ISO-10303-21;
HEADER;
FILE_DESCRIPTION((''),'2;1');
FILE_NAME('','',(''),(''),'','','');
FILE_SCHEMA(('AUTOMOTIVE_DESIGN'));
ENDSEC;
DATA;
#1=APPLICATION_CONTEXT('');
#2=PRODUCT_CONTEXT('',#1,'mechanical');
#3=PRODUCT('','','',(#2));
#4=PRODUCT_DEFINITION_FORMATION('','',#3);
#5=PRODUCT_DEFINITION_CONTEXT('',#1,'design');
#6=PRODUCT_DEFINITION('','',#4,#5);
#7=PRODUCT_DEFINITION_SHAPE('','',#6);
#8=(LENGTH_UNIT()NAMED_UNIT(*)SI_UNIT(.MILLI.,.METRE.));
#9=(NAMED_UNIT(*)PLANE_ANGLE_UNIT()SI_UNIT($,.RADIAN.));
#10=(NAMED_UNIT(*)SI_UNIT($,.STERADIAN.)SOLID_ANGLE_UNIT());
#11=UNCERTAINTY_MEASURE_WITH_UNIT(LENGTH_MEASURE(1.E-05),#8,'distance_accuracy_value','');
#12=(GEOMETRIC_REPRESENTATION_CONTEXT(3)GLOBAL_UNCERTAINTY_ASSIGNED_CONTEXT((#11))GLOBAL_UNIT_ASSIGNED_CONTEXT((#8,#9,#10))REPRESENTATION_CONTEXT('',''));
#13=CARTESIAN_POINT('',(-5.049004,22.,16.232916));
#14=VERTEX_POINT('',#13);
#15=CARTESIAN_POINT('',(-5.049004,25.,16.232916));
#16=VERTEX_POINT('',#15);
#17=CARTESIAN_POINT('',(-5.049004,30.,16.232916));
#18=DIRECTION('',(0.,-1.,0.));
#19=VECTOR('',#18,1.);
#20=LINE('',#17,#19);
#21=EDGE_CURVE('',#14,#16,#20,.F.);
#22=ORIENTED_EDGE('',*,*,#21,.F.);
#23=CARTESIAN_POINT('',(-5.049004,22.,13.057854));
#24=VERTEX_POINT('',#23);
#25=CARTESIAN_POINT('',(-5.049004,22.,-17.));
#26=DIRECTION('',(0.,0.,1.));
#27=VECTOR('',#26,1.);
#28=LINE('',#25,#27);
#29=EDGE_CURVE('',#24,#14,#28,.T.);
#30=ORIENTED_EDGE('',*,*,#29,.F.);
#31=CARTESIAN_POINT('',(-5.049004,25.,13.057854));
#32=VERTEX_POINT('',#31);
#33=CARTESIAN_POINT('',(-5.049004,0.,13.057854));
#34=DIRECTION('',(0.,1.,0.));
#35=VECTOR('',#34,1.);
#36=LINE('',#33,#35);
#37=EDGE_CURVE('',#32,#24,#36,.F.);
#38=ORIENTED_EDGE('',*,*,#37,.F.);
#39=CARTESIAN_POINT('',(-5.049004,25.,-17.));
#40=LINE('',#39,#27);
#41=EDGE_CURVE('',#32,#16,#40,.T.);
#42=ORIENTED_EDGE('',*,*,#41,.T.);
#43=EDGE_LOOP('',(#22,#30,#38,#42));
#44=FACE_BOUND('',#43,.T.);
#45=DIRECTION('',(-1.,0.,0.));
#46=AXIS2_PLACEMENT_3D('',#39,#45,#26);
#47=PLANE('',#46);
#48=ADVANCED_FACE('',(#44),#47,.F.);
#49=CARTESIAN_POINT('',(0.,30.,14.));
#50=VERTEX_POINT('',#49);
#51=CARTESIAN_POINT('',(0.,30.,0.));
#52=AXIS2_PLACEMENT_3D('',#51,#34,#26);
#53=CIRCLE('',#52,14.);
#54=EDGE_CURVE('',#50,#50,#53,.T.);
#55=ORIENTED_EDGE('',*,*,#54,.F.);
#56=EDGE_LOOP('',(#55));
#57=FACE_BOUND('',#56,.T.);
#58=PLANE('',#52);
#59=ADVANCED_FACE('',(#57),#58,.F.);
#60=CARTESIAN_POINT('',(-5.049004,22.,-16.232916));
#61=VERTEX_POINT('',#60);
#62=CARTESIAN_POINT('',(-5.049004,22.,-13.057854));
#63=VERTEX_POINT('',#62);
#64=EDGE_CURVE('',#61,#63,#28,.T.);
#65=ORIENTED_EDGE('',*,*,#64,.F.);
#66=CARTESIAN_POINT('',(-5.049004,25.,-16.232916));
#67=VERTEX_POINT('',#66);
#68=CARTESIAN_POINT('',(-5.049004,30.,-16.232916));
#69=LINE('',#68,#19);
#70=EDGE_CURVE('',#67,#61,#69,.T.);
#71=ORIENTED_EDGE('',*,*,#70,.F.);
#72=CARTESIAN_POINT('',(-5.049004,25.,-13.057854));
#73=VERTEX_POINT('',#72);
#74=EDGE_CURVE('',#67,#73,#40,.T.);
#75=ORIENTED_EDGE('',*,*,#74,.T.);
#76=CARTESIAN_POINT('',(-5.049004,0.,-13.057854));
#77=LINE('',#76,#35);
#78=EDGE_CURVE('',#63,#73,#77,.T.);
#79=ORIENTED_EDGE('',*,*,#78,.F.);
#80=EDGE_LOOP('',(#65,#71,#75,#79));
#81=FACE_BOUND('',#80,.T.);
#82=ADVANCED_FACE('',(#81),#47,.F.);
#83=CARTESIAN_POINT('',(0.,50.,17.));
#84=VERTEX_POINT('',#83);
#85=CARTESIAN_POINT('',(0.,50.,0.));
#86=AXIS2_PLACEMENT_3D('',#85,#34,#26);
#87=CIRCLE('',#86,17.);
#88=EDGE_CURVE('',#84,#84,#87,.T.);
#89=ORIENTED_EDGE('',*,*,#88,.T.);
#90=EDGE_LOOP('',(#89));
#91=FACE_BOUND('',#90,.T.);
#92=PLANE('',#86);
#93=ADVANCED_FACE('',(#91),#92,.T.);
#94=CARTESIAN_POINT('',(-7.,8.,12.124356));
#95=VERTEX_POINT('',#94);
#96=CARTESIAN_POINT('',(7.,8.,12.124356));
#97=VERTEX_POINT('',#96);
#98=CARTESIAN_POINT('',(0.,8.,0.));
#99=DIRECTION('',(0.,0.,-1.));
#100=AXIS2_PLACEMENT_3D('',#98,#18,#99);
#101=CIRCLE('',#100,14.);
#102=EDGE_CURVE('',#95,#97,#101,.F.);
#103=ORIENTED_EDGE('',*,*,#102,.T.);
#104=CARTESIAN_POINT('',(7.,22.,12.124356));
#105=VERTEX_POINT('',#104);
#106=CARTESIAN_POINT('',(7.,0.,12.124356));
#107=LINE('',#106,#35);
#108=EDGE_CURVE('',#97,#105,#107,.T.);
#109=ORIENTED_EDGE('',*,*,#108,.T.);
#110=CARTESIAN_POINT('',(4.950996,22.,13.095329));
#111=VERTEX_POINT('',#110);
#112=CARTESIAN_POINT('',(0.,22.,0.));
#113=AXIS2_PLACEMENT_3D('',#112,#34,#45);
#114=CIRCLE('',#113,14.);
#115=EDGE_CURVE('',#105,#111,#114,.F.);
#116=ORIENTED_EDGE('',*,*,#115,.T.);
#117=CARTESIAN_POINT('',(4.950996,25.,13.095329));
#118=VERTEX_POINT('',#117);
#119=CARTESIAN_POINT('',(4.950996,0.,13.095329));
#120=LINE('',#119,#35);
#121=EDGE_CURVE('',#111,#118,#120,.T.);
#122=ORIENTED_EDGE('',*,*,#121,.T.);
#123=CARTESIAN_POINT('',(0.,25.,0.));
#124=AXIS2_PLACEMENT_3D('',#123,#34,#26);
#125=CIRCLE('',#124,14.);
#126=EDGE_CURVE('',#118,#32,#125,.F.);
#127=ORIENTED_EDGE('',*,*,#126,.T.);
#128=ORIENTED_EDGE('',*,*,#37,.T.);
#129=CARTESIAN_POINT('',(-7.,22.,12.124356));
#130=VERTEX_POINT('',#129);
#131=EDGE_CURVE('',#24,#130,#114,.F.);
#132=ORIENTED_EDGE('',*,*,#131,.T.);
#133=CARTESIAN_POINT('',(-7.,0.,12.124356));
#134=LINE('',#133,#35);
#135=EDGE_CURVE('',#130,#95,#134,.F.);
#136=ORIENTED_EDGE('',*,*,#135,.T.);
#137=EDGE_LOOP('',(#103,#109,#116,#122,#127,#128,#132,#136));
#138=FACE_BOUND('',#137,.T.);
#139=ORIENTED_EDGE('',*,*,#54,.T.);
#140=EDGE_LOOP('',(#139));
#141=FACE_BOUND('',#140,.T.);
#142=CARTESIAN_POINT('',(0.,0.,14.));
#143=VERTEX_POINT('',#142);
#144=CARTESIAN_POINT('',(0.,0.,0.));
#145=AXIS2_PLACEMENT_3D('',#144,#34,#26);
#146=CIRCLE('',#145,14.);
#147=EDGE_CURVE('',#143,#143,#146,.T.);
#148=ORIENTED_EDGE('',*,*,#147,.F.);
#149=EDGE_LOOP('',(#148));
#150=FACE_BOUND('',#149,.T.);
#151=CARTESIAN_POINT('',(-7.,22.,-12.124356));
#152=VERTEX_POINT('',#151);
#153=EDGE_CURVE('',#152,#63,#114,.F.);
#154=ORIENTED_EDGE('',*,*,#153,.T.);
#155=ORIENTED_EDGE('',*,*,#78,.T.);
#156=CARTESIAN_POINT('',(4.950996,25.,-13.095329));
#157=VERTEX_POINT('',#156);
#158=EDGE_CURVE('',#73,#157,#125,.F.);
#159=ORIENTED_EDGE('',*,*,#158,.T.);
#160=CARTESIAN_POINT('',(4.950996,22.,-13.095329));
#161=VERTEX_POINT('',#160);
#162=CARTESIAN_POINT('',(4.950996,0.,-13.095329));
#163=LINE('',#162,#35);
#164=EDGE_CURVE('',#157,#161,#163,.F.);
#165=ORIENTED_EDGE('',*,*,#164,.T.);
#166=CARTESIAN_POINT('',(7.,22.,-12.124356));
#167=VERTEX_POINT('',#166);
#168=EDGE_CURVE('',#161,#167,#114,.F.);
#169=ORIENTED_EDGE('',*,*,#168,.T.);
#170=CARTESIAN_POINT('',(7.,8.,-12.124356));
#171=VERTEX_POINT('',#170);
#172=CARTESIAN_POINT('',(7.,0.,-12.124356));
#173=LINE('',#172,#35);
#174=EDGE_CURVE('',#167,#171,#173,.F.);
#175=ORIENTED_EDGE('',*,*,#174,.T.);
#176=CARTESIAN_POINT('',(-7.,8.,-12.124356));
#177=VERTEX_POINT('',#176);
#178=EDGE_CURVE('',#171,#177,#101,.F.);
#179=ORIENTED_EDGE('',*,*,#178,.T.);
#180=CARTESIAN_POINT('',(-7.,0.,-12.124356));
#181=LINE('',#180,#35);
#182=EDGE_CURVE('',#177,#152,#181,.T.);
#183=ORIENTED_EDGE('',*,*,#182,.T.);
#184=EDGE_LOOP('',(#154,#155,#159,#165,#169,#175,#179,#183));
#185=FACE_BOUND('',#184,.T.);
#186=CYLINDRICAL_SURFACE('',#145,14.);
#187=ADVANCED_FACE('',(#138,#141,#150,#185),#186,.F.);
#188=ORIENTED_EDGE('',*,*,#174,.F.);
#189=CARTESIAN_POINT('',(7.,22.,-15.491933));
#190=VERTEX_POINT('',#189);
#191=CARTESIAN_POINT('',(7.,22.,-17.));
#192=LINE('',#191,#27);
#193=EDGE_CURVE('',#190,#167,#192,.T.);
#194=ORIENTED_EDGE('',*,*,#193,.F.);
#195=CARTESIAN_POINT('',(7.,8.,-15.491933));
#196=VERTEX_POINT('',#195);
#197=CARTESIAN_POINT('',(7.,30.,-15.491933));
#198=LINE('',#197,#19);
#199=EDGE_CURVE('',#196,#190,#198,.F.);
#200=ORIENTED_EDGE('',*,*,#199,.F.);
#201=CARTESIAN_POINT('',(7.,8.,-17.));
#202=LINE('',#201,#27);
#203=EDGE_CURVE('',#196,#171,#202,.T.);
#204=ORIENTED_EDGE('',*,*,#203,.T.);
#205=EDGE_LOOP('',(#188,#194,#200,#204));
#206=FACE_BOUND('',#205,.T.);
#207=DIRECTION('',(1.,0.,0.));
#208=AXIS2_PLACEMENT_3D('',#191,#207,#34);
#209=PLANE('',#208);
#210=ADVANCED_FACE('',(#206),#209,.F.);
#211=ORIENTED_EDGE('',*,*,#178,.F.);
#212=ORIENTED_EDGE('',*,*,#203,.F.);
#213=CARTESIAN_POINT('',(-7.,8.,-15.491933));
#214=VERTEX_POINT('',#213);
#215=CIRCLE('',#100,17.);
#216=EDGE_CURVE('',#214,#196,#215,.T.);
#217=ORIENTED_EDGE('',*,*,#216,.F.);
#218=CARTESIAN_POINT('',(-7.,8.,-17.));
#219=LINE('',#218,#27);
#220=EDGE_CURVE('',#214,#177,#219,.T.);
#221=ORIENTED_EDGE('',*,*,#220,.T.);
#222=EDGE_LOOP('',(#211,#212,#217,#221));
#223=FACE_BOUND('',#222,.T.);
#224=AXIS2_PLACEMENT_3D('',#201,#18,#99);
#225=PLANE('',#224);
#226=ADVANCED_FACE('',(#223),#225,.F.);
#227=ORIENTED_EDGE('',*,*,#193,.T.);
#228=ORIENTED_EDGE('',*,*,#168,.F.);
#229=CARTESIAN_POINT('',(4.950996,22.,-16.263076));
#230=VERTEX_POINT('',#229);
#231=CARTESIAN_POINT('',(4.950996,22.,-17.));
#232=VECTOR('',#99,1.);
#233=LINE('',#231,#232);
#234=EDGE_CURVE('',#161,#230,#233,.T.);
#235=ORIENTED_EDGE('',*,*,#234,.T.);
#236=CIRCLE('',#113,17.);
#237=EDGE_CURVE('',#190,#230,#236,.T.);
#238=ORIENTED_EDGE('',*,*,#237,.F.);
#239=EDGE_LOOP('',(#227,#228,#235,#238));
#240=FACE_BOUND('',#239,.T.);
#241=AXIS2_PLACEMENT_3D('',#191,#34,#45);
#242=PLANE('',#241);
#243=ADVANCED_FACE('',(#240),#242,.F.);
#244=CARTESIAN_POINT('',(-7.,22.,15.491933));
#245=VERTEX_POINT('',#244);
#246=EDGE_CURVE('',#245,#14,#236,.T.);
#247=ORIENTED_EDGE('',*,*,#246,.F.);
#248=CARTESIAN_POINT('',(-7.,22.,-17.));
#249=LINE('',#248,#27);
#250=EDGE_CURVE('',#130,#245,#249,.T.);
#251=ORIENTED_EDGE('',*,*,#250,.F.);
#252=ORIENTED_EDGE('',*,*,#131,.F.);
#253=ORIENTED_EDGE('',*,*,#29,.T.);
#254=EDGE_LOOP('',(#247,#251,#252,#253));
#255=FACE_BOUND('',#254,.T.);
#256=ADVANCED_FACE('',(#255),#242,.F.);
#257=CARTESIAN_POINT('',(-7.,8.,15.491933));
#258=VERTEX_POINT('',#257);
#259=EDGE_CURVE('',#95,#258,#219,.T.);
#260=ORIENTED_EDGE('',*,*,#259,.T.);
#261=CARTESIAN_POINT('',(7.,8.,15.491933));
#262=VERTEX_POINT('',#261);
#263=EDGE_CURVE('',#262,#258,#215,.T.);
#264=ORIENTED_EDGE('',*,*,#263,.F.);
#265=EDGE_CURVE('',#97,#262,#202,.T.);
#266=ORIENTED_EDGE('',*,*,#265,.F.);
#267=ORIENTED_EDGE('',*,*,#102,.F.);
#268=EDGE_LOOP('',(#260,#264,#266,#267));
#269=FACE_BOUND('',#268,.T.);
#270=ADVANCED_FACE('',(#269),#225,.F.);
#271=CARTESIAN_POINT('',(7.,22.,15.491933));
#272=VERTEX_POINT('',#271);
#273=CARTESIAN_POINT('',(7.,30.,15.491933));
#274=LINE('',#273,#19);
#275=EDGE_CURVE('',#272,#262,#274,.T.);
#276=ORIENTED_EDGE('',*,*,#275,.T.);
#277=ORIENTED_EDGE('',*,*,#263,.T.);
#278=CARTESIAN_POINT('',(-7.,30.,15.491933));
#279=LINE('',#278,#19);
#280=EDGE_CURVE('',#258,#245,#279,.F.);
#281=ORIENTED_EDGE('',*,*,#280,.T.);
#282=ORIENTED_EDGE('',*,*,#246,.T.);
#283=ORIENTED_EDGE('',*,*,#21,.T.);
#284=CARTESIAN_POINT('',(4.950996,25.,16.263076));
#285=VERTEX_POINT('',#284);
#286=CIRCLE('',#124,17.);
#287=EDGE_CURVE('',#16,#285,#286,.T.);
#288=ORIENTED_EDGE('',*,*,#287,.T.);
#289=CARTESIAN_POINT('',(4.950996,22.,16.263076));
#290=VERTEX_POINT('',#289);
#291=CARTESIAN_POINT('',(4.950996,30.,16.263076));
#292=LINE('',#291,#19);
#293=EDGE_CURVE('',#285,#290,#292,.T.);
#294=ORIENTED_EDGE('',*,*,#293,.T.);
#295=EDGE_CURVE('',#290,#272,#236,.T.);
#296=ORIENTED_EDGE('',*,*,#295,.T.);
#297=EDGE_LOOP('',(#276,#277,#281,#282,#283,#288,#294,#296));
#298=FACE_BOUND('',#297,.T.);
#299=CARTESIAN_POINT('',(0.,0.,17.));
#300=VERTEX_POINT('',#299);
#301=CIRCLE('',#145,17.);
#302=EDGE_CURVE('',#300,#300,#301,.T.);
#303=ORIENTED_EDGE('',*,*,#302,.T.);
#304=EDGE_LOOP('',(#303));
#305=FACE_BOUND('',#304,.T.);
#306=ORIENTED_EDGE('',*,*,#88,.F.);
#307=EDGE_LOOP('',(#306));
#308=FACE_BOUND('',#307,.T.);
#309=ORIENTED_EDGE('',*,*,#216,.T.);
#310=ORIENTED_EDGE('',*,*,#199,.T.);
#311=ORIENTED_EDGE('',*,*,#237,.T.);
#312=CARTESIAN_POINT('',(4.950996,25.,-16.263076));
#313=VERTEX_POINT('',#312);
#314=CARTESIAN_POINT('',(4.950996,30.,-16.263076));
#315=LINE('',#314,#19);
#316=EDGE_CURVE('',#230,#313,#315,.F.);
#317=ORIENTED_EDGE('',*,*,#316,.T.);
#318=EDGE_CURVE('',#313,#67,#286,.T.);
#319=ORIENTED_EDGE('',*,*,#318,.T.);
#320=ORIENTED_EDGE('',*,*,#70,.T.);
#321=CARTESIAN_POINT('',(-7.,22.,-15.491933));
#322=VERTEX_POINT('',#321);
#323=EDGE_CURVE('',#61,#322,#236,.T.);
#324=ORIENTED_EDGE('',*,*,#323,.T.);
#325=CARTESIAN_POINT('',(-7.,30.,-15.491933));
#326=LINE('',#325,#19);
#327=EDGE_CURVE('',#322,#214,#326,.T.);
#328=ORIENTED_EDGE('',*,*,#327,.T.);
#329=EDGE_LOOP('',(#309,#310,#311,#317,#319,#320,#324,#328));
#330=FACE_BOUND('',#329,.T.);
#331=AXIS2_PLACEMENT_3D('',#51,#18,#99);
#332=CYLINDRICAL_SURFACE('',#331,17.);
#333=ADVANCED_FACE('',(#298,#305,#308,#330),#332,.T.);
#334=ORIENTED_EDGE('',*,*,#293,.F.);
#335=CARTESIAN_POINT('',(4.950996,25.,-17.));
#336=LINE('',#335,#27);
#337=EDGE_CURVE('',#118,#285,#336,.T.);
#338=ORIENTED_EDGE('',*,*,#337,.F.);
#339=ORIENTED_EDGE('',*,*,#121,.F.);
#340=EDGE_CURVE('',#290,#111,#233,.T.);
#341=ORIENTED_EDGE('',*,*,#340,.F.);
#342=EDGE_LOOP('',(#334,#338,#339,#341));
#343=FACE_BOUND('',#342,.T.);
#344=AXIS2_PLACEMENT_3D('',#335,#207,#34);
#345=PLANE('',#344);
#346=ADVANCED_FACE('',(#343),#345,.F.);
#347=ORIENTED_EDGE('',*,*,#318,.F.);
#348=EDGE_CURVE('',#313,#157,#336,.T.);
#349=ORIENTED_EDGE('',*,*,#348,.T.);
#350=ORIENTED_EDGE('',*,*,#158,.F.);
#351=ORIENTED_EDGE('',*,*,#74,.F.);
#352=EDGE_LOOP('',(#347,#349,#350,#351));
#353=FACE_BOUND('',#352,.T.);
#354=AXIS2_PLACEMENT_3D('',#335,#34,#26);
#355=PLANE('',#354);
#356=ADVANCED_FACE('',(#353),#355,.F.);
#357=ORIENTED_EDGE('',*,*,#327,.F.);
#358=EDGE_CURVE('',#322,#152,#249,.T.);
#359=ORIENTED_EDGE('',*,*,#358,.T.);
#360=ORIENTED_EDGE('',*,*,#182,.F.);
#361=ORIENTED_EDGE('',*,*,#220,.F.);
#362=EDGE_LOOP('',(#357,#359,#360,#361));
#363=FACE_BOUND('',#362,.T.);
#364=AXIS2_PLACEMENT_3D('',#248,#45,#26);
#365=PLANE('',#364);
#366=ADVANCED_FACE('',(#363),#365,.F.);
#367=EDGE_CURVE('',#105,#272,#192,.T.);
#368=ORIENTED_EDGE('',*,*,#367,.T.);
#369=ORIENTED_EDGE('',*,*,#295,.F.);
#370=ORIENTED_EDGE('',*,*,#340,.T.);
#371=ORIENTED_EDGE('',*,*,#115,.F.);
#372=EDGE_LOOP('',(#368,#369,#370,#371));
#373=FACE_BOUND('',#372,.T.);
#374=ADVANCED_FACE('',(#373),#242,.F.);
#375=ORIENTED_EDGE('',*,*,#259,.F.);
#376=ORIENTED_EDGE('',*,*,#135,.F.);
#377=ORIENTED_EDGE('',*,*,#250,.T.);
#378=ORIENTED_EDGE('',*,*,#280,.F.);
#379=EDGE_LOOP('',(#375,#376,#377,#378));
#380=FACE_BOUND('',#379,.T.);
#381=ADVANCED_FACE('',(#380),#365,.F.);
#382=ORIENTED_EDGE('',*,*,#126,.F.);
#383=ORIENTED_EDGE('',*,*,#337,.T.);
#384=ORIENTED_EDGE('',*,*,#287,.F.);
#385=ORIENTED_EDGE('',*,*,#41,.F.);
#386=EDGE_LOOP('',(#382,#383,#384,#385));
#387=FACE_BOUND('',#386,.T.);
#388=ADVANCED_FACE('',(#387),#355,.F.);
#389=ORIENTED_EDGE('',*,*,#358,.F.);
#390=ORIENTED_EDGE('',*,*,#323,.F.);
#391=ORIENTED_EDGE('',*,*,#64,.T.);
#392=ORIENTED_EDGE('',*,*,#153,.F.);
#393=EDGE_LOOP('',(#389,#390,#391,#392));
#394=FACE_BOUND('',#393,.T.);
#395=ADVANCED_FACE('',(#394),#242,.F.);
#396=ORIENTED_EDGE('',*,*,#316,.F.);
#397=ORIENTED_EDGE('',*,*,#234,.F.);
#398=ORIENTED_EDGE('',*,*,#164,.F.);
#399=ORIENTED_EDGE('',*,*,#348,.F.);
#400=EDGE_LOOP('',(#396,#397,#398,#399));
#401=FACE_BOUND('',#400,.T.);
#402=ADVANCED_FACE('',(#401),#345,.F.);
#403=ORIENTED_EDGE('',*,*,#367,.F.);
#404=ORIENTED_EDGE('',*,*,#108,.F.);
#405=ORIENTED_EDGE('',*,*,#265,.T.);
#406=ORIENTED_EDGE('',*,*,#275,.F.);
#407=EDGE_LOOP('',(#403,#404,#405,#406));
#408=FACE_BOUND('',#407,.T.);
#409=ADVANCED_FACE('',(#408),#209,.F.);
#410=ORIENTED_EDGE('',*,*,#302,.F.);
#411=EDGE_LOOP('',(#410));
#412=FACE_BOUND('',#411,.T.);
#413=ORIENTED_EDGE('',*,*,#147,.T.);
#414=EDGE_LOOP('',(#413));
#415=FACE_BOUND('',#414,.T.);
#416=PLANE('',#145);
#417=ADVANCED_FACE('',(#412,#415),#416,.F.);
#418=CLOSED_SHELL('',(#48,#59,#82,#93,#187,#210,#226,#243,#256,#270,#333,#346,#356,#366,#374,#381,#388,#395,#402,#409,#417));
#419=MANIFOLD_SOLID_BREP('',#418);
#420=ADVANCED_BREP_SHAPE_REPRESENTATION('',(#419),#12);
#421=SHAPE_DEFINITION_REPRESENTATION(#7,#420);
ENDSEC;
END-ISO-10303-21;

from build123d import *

# Parameters (mm, degrees)
SKETCH1_R               = 17
BOSS_EXTRUDE1_DEPTH     = 30
SKETCH2_R               = 14
CUT_EXTRUDE1_DEPTH      = 30
SKETCH3_W               = 14
SKETCH3_H               = 14
CUT_EXTRUDE2_DEPTH      = 18
CUT_EXTRUDE2_DEPTH_BACK = 18
SKETCH4_R               = 17
BOSS_EXTRUDE2_DEPTH     = 20
SKETCH6_W               = 10
SKETCH6_H               = 6
CUT_EXTRUDE3_DEPTH      = 18
CUT_EXTRUDE3_DEPTH_BACK = 18


with BuildPart() as part:
    # Sketch1 → Boss-Extrude1 (new body)
    with BuildSketch(Plane(origin=(0, 0, 0), x_dir=(1, 0, 0), z_dir=(0, 1, 0))):
        Circle(SKETCH1_R)
    extrude(amount=BOSS_EXTRUDE1_DEPTH)

    # Sketch2 → Cut-Extrude1 (cut)
    with BuildSketch(Plane(origin=(0, 30, 0), x_dir=(1, 0, 0), z_dir=(0, 1, 0))):
        Circle(SKETCH2_R)
    extrude(amount=-CUT_EXTRUDE1_DEPTH, mode=Mode.SUBTRACT)

    # Sketch3 → Cut-Extrude2 (cut, two sides)
    with BuildSketch(Plane.XY) as cut_extrude2_sk:
        with Locations((0, 15)):
            Rectangle(SKETCH3_W, SKETCH3_H)
    extrude(amount=CUT_EXTRUDE2_DEPTH, mode=Mode.SUBTRACT)
    extrude(cut_extrude2_sk.sketch, amount=-CUT_EXTRUDE2_DEPTH_BACK, mode=Mode.SUBTRACT)

    # Sketch4 → Boss-Extrude2 (add)
    with BuildSketch(Plane(origin=(0, 30, 0), x_dir=(1, 0, 0), z_dir=(0, 1, 0))):
        Circle(SKETCH4_R)
    extrude(amount=BOSS_EXTRUDE2_DEPTH)

    # Sketch6 → Cut-Extrude3 (cut, two sides)
    with BuildSketch(Plane.XY) as cut_extrude3_sk:
        with Locations((-0.049003827, 22)):
            Rectangle(SKETCH6_W, SKETCH6_H)
    extrude(amount=CUT_EXTRUDE3_DEPTH, mode=Mode.SUBTRACT)
    extrude(cut_extrude3_sk.sketch, amount=-CUT_EXTRUDE3_DEPTH_BACK, mode=Mode.SUBTRACT)


solid = part.part
